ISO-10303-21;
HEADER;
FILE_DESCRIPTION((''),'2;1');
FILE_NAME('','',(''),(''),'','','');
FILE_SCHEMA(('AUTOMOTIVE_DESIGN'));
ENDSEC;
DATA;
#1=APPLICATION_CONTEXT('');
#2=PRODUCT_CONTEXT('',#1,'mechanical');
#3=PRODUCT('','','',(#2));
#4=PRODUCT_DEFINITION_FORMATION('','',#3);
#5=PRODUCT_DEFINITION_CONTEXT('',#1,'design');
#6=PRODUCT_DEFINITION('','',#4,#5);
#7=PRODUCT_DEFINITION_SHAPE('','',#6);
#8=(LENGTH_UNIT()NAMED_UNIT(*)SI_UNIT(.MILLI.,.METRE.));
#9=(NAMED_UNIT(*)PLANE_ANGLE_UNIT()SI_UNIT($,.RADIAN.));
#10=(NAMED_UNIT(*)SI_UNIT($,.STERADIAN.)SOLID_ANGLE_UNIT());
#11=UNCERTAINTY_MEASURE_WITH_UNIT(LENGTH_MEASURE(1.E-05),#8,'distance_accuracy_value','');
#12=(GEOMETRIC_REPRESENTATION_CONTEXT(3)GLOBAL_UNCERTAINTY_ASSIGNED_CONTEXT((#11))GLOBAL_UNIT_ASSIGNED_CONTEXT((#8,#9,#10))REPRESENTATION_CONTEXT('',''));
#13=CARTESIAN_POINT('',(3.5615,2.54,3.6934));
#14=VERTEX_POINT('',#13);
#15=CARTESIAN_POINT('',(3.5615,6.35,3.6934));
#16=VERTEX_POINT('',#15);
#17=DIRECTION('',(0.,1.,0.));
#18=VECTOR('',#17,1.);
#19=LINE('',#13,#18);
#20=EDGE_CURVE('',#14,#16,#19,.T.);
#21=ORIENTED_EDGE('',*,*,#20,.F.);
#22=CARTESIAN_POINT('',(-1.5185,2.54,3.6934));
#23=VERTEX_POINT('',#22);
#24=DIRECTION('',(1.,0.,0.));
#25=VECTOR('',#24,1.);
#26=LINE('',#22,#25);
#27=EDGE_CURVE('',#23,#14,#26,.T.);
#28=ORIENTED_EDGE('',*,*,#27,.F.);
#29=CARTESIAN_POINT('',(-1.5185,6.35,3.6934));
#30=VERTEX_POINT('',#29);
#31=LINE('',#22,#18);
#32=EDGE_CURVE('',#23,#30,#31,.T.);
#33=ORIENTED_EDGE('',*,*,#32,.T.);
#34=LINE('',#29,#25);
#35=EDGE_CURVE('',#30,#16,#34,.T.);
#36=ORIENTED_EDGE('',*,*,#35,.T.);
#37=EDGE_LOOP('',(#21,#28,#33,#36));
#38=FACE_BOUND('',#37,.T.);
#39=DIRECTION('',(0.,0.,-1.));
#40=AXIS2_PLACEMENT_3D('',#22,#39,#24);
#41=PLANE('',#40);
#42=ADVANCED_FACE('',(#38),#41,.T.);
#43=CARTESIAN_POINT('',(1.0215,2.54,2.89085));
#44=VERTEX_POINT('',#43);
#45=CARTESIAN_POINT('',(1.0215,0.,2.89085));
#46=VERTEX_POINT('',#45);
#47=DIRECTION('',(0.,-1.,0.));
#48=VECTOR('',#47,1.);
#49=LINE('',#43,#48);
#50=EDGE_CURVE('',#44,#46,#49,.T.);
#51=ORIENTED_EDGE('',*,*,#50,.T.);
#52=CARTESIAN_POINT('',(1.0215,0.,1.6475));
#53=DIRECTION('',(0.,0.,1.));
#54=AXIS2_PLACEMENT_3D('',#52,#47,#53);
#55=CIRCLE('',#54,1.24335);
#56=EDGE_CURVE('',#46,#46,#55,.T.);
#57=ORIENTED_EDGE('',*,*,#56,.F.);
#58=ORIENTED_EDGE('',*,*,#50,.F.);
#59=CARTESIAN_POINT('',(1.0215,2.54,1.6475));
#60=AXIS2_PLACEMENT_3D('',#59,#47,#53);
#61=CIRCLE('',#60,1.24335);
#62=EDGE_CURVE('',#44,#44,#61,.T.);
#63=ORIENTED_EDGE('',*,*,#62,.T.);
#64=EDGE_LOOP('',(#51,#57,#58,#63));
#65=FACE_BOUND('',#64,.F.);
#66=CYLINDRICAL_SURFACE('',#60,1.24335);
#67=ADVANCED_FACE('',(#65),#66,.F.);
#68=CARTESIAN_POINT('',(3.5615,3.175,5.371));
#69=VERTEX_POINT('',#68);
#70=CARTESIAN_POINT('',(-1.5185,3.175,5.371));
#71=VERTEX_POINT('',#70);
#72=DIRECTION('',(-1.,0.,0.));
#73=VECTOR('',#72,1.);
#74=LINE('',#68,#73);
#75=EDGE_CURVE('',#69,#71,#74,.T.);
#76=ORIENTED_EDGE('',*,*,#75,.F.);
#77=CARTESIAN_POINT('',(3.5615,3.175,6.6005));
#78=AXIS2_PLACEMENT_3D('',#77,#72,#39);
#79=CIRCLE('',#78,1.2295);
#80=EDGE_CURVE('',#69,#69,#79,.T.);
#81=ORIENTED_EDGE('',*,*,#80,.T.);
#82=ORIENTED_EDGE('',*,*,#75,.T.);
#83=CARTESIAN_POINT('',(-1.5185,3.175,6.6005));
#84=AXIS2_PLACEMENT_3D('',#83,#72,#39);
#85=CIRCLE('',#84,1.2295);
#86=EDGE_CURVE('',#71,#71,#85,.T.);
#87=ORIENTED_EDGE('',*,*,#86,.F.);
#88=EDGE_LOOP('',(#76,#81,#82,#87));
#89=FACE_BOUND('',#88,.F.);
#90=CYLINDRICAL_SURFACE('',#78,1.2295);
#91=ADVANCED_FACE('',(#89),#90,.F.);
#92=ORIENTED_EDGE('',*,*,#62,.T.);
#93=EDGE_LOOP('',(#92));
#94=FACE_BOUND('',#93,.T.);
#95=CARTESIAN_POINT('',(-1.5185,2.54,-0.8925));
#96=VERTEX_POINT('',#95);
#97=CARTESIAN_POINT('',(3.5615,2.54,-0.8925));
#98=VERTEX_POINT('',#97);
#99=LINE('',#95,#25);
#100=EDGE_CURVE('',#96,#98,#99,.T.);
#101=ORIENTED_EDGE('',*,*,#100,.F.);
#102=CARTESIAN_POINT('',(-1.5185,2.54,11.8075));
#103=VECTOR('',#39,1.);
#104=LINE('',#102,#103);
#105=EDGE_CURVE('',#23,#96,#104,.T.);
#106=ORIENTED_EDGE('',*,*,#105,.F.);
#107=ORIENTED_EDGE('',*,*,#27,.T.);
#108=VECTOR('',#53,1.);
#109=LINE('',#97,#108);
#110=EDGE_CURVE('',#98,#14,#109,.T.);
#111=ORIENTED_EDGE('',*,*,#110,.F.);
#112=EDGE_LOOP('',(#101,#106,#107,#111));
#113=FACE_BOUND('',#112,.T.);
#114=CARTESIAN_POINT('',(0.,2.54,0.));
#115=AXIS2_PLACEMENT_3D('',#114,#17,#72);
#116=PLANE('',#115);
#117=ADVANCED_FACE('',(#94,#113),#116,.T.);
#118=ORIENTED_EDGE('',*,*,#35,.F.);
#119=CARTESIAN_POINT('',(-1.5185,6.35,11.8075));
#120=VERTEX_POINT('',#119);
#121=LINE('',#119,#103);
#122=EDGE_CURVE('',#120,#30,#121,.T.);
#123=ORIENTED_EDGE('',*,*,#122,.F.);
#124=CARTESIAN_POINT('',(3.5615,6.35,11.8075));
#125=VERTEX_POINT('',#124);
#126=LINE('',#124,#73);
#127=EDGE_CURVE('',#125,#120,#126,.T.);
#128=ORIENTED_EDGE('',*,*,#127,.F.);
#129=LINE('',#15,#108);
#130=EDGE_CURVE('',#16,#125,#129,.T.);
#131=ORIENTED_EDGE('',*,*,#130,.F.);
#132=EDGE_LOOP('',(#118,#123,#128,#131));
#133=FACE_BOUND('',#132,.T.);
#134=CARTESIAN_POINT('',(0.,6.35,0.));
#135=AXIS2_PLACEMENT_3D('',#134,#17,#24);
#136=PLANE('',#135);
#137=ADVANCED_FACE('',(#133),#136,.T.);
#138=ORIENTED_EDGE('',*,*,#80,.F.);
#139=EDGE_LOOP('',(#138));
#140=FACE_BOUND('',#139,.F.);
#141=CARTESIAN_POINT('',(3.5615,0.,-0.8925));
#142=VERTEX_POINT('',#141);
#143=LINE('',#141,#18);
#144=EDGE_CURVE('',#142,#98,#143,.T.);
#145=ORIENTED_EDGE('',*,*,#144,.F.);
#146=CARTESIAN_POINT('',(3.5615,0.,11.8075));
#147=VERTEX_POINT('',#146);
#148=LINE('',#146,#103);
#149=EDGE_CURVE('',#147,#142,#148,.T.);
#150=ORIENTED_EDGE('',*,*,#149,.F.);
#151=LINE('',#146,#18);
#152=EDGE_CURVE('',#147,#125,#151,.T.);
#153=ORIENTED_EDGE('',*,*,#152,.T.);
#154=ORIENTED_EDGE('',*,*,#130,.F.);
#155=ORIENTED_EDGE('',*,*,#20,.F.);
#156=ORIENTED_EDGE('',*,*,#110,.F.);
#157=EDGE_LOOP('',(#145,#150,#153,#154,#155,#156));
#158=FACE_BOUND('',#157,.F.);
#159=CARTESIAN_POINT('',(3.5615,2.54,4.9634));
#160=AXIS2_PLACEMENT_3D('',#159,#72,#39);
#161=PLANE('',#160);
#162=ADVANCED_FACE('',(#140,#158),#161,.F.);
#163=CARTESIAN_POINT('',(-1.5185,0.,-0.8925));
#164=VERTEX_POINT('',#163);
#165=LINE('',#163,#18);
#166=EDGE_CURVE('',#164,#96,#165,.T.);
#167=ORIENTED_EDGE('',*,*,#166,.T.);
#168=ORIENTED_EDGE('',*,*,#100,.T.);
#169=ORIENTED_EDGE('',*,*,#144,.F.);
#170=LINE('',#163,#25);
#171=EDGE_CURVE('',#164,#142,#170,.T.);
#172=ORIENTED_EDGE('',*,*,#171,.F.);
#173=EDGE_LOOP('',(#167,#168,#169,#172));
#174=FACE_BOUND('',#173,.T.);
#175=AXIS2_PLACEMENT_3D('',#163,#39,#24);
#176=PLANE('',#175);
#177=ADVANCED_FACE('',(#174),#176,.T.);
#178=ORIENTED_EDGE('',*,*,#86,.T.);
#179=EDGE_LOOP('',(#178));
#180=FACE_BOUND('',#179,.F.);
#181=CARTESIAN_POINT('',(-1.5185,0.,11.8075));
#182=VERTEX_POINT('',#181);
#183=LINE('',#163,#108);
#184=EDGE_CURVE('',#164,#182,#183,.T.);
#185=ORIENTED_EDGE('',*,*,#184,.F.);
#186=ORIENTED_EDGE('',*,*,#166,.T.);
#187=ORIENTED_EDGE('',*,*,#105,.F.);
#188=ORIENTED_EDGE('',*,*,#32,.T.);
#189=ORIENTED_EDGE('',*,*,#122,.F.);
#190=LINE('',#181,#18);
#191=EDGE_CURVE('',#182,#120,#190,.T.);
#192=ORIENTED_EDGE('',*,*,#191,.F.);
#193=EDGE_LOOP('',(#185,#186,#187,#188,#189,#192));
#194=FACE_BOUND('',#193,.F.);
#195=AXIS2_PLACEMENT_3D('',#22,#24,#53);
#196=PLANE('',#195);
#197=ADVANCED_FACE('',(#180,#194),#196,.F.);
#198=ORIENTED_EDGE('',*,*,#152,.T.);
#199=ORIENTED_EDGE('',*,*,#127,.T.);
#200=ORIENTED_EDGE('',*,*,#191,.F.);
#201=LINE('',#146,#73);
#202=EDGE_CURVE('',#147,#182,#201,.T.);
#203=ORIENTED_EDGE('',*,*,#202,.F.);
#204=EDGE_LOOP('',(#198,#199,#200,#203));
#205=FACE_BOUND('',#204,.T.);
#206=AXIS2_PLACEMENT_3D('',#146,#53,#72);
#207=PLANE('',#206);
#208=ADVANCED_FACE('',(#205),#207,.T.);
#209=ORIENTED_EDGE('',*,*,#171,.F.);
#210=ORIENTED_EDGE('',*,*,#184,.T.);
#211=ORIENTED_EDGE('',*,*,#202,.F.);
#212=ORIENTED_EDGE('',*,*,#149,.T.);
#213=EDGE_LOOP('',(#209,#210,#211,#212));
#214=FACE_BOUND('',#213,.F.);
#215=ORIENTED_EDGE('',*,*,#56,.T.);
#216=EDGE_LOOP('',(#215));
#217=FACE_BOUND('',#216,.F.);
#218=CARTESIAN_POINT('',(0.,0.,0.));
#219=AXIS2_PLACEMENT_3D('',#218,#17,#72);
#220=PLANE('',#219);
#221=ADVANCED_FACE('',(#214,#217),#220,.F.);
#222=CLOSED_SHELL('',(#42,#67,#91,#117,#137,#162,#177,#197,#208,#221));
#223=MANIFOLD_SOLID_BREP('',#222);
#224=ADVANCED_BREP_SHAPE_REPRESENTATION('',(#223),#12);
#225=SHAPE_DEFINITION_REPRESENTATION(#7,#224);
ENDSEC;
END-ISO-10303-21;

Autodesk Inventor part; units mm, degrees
ref_plane "YZ Plane" through (0, 0, 0) normal (1, 0, 0) x (0, 1, 0)
ref_plane "XZ Plane" through (0, 0, 0) normal (0, 1, 0) x (-1, 0, 0)
ref_plane "XY Plane" through (0, 0, 0) normal (0, 0, 1) x (1, 0, 0)
sketch "Sketch20" plane through (0, 0, 0) normal (0, 1, 0) x (-1, 0, 0)
  line L0 (1.5185, -0.8925) -> (-3.5615, -0.8925)
  line L1 (-3.5615, -0.8925) -> (-3.5615, 11.8075)
  line L2 (-3.5615, 11.8075) -> (1.5185, 11.8075)
  line L3 (1.5185, 11.8075) -> (1.5185, -0.8925)
  line L4 (1.5185, 4.9634) -> (-3.5615, 4.9634)
  point P0 (0, 0)
  dimension "d56" = 5.08
  dimension "d57" = 12.7
extrude "Extrusion7" add sketch "Sketch20" along normal blind 2.54 contours L0 L1 L4 L3
extrude "Extrusion8" add sketch "Sketch20" along normal blind 6.35 contours L4 L1 L2 L3
sketch "Sketch21" plane through (0, 2.54, 0) normal (0, 1, 0) x (1, 0, 0)
  line L0 (3.5615, 0.8925) -> (-1.5185, 0.8925) projected
  line L1 (-1.5185, 0.8925) -> (-1.5185, -4.9634) projected
  point P0 (0, 0)
  point P1 (1.0215, -1.6475)
  dimension "d62" = 2.54
  dimension "d63" = 2.54
hole "Hole5" at (1.0215, 2.54, 1.6475) direction (0, -1, 0) diameter 2.4867 end through all
sketch "Sketch22" plane through (3.5615, 0, -0.8925) normal (1, 0, 0) x (0, 0, -1)
  line L0 (-12.7, 6.35) -> (-5.8558, 6.35) projected
  line L1 (-12.7, 0) -> (-12.7, 6.35) projected
  point P0 (-0.8925, 0)
  point P1 (-7.493, 3.175)
  dimension "d71" = 3.175
  dimension "d72" = 5.207
hole "Hole6" at (3.5615, 3.175, 6.6005) direction (-1, 0, 0) diameter 2.459 end through all thread size "M3x0.5" class "6H" standard "ISO Metric profile"
sketch "Sketch23" plane through (0, 2.54, 0) normal (0, 1, 0) x (1, 0, 0)
  line L0 (-1.5185, 0.8925) -> (-1.5185, -4.9634) projected
  line L1 (-1.5185, -4.9634) -> (-1.5185, -3.6934)
  line L2 (-1.5185, -3.6934) -> (3.5615, -3.6934)
  line L3 (3.5615, -4.9634) -> (3.5615, 0.8925) projected
  line L4 (3.5615, -3.6934) -> (3.5615, -4.9634)
  line L5 (3.5615, -11.8075) -> (3.5615, 0.8925) projected
  line L6 (3.5615, -4.9634) -> (-1.5185, -4.9634) projected
  line L7 (-1.5185, -4.9634) -> (3.5615, -4.9634)
  point P0 (0, 0)
  dimension "d80" = 1.27
extrude "Extrusion9" add sketch "Sketch23" along normal blind 3.81
properties part number "filament holders"
